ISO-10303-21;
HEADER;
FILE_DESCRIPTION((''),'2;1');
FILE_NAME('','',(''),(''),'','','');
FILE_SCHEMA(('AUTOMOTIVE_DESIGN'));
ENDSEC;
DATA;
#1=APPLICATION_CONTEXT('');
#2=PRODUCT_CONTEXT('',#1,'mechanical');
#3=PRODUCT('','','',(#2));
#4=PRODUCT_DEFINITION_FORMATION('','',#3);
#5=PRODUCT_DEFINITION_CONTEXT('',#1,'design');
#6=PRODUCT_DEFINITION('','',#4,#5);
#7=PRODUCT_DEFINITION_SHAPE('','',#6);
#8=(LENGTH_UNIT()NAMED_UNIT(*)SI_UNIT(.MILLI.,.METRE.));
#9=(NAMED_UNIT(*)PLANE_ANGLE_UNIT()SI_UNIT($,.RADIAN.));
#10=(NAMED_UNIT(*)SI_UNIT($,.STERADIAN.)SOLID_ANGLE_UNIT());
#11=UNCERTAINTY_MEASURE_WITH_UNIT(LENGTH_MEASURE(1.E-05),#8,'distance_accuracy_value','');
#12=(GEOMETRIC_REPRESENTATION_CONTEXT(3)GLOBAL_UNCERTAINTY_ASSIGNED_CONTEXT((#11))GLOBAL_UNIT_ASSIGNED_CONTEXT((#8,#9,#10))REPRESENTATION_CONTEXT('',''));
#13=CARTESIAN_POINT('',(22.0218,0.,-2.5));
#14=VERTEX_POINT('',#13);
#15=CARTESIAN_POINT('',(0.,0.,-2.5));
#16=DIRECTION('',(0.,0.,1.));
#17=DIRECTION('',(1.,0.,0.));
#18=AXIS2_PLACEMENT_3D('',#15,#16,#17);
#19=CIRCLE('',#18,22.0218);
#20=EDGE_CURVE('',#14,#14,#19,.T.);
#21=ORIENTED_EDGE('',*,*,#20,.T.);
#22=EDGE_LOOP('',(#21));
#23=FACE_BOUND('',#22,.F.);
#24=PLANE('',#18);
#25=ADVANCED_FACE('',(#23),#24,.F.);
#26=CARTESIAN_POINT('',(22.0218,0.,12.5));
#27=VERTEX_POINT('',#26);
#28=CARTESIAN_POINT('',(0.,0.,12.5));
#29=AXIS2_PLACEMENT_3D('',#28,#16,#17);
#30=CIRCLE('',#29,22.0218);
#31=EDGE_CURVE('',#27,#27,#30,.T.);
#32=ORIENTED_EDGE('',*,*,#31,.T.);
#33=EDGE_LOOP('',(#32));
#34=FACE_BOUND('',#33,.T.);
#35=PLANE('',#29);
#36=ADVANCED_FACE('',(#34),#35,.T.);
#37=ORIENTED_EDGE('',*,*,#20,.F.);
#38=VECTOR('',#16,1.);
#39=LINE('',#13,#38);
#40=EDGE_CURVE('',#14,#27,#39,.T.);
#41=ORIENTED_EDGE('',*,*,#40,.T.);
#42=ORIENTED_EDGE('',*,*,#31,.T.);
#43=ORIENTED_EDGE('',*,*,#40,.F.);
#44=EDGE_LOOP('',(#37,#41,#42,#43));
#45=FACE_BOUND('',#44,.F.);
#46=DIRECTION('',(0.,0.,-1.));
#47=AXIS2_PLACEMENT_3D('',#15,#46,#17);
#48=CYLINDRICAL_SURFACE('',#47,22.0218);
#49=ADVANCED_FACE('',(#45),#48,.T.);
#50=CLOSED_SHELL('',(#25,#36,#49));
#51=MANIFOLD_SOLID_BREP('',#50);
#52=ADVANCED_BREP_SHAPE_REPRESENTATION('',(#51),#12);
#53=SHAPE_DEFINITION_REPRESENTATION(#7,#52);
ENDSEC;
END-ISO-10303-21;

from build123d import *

# Parameters (mm, degrees)
CYLINDER_R     = 22.0218
CYLINDER_DEPTH = 15


with BuildPart() as part:
    # Cylinder → Cylinder (new body)
    with BuildSketch(Plane.XY.offset(-2.5)):
        Circle(CYLINDER_R)
    extrude(amount=CYLINDER_DEPTH)


solid = part.part
